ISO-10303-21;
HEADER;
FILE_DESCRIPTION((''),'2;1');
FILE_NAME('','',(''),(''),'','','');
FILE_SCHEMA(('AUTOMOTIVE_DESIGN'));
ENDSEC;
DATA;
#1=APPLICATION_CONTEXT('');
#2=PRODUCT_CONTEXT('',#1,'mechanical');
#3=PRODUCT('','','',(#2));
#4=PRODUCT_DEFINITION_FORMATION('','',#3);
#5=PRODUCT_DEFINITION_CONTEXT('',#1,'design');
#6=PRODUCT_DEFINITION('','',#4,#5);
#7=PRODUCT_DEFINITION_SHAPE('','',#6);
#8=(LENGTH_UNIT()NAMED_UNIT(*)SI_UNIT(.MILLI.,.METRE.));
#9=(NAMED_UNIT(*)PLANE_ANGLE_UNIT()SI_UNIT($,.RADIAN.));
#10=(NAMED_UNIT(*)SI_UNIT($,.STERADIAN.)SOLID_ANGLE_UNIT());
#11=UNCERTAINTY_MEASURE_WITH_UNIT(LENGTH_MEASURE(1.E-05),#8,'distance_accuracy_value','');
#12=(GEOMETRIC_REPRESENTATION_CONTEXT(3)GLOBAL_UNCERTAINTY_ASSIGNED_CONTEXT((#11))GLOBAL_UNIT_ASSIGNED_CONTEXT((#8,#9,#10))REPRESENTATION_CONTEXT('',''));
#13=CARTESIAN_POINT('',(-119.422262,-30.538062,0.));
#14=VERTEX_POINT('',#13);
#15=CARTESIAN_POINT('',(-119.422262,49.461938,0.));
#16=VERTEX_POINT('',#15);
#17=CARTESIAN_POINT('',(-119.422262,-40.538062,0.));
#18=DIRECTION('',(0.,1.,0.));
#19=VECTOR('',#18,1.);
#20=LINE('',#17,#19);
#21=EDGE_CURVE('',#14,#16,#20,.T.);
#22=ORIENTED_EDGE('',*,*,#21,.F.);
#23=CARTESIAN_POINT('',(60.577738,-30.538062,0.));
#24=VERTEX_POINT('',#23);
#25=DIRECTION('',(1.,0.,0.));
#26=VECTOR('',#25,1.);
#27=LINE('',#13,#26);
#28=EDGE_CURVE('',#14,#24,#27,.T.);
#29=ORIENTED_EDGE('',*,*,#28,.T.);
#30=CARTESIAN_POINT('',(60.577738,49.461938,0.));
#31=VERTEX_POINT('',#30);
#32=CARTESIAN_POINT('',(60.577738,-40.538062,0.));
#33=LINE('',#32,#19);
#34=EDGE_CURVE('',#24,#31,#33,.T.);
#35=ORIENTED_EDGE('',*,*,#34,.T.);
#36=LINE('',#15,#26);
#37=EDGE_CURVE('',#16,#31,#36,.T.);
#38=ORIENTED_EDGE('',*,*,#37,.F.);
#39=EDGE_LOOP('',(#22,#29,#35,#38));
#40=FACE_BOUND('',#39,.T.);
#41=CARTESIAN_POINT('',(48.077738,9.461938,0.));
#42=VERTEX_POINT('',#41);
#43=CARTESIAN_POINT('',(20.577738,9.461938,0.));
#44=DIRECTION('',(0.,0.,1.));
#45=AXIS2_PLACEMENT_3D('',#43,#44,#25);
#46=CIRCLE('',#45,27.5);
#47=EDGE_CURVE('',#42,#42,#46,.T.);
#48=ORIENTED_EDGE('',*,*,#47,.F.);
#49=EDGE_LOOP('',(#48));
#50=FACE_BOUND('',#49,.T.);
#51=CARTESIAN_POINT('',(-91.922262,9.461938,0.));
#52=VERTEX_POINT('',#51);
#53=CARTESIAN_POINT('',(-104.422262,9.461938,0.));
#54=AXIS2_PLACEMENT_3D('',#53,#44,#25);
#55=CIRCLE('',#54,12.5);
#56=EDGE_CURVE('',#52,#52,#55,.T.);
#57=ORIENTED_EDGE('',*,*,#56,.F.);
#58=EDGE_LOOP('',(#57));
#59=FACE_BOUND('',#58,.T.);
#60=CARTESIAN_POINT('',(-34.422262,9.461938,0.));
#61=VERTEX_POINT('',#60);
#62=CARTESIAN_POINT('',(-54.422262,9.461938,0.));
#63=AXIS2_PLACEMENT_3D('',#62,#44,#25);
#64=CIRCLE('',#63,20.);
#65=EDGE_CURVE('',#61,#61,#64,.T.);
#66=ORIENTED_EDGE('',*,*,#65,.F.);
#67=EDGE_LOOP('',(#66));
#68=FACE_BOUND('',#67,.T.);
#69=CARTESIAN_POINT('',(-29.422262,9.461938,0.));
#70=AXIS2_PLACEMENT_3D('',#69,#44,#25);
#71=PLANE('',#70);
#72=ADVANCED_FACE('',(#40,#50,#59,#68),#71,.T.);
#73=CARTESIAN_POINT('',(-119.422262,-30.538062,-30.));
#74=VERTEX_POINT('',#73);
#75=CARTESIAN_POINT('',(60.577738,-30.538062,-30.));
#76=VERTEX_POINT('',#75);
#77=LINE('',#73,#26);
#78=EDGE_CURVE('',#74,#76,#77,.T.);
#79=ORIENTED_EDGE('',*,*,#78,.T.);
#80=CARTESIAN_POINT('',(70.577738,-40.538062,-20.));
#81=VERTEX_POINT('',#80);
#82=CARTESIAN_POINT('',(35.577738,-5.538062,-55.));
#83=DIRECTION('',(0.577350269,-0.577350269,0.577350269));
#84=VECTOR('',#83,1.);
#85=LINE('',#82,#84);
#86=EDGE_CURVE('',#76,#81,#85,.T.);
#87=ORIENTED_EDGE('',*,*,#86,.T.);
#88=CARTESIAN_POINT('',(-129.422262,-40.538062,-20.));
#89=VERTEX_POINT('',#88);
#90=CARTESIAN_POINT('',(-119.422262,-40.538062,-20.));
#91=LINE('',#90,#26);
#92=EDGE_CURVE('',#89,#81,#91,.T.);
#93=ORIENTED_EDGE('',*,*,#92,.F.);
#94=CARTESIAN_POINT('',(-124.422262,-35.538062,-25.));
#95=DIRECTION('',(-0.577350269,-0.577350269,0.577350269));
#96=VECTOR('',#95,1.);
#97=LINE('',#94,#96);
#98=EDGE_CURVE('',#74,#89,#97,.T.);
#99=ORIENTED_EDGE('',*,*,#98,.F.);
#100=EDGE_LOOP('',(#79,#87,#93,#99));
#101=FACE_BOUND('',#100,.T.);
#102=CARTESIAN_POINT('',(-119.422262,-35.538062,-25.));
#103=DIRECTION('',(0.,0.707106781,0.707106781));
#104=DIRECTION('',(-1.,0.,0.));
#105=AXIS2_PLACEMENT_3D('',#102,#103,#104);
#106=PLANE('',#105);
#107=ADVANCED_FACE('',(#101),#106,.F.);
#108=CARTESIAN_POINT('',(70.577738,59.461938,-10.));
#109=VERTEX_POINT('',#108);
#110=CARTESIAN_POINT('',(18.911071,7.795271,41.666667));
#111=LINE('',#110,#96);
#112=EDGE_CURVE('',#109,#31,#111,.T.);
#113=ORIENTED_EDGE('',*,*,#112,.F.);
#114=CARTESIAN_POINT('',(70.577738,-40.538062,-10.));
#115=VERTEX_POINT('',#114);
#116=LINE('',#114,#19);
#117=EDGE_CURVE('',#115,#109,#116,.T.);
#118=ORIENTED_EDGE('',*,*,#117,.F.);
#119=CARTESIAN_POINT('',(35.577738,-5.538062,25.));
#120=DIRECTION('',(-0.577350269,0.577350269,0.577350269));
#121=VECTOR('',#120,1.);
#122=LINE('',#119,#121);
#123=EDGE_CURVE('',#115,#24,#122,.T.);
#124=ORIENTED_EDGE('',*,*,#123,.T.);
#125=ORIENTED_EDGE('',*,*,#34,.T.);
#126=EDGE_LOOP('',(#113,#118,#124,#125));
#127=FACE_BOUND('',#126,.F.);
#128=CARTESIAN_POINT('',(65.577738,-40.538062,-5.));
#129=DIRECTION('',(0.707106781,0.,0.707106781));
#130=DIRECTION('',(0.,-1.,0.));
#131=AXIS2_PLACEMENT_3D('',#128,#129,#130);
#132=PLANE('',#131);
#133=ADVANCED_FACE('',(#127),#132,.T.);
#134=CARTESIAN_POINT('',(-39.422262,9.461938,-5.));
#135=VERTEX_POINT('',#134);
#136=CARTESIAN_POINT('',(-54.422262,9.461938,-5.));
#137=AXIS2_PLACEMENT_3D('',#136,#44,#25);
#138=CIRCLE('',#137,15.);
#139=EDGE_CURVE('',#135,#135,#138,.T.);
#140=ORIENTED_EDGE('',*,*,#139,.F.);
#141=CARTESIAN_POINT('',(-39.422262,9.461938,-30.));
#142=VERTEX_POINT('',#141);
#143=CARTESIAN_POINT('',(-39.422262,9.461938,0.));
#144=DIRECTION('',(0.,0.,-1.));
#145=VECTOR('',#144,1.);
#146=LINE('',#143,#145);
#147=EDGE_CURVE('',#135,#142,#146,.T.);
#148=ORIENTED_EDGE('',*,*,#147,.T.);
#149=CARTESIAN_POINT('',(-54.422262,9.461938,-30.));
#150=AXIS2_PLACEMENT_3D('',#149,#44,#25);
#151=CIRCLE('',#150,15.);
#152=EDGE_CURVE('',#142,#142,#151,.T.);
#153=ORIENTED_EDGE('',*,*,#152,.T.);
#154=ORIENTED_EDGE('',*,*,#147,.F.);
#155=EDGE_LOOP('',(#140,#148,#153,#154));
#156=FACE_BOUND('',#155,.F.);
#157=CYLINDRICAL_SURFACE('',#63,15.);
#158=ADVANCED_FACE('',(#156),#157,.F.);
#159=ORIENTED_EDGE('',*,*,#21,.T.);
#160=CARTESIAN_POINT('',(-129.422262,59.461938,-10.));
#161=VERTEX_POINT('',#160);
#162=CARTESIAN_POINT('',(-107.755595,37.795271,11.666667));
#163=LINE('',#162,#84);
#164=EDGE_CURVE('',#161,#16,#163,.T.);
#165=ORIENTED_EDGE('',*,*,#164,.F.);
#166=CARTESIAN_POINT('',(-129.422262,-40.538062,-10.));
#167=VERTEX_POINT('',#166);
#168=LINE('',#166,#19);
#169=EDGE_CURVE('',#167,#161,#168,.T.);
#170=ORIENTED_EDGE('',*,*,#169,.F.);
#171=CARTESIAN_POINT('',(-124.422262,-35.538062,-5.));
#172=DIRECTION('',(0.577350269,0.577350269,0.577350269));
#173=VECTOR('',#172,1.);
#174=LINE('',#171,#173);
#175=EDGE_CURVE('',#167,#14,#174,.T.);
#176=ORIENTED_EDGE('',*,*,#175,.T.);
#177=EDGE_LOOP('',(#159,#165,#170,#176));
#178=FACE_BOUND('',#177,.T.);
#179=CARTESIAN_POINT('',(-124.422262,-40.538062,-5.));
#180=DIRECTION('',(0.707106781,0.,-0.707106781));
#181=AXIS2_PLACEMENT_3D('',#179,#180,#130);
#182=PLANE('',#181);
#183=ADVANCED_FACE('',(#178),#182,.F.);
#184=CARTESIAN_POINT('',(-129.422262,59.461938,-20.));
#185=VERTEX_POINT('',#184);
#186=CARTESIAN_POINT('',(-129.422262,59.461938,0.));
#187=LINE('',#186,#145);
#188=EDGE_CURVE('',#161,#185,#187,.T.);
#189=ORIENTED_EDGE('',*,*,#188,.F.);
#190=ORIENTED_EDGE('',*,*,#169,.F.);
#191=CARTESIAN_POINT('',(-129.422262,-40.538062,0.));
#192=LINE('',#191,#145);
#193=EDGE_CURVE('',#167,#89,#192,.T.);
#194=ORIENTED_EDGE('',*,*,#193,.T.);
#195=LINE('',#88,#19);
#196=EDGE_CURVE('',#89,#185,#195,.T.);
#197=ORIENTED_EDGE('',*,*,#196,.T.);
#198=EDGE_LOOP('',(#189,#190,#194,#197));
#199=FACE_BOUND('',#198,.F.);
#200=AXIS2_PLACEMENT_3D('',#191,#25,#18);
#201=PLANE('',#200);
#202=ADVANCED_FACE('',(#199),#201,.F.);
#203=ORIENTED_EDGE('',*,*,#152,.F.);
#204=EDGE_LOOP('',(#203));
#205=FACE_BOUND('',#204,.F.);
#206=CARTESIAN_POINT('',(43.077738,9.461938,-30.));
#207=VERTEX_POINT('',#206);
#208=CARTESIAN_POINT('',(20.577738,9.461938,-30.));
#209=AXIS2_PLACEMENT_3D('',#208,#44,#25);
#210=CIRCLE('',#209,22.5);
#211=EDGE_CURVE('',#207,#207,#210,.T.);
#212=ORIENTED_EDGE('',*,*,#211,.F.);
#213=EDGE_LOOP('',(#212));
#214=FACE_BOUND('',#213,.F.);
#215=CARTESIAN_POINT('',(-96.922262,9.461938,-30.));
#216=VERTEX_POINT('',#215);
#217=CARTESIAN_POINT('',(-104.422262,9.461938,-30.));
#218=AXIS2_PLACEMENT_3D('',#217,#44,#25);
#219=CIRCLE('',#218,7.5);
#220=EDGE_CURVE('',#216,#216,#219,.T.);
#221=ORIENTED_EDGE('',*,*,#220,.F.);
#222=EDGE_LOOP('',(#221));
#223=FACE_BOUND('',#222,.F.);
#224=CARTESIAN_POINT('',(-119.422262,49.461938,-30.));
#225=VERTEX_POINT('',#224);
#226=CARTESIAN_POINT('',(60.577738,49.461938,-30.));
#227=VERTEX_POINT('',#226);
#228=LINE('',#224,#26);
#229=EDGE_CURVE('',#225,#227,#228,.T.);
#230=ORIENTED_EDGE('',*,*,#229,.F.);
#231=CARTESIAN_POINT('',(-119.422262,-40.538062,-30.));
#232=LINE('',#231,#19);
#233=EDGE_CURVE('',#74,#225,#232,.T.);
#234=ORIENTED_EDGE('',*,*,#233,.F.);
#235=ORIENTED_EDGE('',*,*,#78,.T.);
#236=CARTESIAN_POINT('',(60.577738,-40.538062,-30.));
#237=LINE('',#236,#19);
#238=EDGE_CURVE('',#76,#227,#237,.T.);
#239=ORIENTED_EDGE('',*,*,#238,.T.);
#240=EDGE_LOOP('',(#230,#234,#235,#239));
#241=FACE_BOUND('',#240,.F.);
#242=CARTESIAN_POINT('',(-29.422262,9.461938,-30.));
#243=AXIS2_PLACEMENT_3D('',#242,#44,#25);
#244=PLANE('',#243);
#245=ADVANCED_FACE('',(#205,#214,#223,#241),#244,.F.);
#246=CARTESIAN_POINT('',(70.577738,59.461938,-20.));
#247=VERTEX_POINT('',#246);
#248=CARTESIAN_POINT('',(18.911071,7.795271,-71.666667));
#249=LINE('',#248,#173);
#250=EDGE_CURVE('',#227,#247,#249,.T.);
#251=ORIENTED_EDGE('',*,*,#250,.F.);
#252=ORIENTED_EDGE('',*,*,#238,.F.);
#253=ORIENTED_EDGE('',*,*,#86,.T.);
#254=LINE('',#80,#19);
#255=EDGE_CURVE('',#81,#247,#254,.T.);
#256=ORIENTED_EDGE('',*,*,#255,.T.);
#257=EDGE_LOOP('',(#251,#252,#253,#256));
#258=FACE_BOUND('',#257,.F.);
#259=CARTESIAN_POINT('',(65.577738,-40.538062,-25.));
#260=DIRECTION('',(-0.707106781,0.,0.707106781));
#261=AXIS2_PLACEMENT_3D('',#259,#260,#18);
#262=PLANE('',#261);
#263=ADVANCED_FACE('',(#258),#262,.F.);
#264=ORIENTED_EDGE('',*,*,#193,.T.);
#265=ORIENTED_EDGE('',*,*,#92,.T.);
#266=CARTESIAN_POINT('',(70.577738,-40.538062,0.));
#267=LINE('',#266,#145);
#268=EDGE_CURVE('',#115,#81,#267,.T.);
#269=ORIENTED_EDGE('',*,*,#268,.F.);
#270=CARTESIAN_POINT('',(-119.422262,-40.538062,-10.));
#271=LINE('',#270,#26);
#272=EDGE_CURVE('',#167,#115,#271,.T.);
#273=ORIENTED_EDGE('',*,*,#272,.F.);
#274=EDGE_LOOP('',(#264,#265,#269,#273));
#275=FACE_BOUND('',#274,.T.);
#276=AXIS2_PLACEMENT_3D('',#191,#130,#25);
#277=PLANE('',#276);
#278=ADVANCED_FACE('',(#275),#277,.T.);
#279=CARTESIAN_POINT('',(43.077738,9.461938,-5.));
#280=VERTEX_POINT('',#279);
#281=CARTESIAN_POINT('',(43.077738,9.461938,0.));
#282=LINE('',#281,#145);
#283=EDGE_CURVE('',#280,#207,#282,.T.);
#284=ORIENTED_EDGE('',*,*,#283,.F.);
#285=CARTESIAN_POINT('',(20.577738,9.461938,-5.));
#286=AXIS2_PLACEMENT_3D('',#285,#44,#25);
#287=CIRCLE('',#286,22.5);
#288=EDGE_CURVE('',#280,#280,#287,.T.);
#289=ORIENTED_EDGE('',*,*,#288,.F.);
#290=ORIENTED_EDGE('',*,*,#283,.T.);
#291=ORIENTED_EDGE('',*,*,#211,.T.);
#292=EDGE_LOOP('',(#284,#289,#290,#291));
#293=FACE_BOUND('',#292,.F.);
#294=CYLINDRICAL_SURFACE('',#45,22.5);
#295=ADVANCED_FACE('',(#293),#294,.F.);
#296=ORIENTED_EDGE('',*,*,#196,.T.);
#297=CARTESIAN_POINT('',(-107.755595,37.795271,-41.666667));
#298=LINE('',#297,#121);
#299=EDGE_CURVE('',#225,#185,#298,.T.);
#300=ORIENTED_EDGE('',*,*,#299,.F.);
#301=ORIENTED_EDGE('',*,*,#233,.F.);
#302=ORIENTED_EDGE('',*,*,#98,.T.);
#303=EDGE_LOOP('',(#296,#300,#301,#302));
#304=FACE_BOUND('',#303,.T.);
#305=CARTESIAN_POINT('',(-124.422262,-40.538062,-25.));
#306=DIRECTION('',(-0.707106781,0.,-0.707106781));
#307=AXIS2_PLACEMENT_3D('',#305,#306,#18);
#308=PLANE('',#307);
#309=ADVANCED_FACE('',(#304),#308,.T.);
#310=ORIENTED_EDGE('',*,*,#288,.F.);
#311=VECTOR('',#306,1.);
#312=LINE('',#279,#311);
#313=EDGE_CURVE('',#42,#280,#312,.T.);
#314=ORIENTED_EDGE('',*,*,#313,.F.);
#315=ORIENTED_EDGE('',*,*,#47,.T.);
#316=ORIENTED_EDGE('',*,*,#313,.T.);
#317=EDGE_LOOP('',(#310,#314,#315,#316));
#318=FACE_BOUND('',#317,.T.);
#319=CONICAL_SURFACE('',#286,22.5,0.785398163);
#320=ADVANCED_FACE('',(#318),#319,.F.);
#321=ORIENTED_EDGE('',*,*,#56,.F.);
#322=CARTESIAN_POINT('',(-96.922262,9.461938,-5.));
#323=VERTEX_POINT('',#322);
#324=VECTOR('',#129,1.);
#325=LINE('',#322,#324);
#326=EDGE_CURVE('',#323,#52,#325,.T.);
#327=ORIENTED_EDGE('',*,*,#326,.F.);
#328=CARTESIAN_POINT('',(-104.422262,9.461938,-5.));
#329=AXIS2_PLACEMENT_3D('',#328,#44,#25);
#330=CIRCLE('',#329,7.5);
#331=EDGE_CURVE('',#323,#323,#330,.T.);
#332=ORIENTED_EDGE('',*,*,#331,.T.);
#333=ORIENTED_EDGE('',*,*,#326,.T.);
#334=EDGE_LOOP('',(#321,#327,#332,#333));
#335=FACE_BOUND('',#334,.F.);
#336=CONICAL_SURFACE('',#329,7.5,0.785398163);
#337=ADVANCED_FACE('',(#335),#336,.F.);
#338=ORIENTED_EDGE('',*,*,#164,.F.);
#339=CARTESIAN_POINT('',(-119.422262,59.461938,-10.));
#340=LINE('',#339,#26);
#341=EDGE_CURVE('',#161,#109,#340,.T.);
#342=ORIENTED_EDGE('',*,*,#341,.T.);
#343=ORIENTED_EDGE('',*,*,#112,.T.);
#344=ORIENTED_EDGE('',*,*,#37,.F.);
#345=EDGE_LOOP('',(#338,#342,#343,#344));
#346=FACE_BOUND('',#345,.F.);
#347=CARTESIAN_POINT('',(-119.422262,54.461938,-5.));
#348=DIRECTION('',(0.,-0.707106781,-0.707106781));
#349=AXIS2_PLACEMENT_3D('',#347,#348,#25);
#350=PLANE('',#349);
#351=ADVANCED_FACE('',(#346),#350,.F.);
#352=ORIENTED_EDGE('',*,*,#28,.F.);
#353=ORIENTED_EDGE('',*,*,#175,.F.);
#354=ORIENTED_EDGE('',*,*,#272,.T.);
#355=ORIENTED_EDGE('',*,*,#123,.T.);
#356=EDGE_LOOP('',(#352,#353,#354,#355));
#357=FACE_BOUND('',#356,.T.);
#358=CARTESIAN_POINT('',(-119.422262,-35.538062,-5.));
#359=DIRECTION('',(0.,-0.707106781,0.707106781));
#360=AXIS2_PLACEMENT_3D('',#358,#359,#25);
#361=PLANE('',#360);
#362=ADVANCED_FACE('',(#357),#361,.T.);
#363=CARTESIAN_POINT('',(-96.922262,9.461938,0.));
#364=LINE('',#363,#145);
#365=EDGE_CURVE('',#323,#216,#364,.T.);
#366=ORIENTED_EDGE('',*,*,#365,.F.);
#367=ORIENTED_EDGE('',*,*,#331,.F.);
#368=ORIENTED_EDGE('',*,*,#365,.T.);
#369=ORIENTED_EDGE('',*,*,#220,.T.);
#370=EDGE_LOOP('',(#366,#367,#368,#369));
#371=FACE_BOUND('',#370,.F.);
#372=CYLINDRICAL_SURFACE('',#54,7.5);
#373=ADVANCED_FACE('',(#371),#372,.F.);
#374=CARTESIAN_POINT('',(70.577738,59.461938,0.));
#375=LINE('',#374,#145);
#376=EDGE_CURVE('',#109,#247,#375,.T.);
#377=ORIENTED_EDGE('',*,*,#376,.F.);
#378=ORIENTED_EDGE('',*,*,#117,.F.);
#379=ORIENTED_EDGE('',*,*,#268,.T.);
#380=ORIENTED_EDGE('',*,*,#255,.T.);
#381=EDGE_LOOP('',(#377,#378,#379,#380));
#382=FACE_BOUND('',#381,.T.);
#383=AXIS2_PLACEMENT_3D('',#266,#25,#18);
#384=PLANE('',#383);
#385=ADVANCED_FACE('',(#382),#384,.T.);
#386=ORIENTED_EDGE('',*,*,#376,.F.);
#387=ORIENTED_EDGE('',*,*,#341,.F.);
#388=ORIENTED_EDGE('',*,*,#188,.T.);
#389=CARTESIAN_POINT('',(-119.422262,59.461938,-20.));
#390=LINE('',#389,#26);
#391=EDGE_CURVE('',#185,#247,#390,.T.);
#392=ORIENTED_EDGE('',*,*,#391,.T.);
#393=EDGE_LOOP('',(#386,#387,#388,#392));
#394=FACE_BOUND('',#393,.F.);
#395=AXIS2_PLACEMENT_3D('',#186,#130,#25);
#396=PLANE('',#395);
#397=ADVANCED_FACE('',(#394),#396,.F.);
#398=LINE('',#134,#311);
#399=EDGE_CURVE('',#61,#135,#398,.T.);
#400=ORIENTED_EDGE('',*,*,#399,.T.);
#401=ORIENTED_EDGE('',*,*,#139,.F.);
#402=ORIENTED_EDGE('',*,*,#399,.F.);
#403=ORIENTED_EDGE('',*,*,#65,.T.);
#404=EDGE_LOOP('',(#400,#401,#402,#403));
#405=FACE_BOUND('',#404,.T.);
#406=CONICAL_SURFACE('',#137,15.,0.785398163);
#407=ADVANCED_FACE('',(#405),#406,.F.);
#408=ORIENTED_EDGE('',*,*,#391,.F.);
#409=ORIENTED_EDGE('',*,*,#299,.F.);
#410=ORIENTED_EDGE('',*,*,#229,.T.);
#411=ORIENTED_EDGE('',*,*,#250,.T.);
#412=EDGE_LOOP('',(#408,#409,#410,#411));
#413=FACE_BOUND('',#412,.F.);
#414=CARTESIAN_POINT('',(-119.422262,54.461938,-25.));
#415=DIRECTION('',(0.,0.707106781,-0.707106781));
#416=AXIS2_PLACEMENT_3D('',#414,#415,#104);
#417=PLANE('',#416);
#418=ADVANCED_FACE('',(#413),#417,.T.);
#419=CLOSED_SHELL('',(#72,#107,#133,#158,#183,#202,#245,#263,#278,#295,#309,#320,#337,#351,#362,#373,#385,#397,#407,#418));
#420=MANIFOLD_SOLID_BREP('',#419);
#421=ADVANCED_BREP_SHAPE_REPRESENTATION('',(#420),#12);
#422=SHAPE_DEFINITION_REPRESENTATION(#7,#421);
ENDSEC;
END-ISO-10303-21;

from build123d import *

# Parameters (mm, degrees)
F0_W      = 200
F0_H      = 100
F0_R      = 7.5
F0_R_2    = 15
F0_R_3    = 22.5
F1_DEPTH  = 30
F2_SIZE2  = 5
F2_SIZE   = 5
F3_SIZE2  = 5
F3_SIZE   = 5
F4_SIZE2  = 5
F4_SIZE   = 5
F5_SIZE2  = 10
F5_SIZE   = 10
F6_SIZE2  = 10
F6_SIZE   = 10
F7_SIZE2  = 10
F7_SIZE   = 10
F8_SIZE2  = 10
F8_SIZE   = 10
F9_SIZE2  = 10
F9_SIZE   = 10
F10_SIZE2 = 10
F10_SIZE  = 10
F11_SIZE2 = 10
F11_SIZE  = 10
F12_SIZE2 = 10
F12_SIZE  = 10


with BuildPart() as f1:
    # F0 (on Top) → F1 (new body)
    with BuildSketch(Plane.XY):
        with Locations((-29.422262, 9.461938)):
            Rectangle(F0_W, F0_H)
        with Locations((-104.422262, 9.461938)):
            Circle(F0_R, mode=Mode.SUBTRACT)
        with Locations((-54.422262, 9.461938)):
            Circle(F0_R_2, mode=Mode.SUBTRACT)
        with Locations((20.577738, 9.461938)):
            Circle(F0_R_3, mode=Mode.SUBTRACT)
    extrude(amount=-F1_DEPTH)

    # F2
    f2_edges = [f1.edges().sort_by_distance(p)[0] for p in [
        (-111.922262, 9.461938, 0),
    ]]
    chamfer(f2_edges, length=F2_SIZE, length2=F2_SIZE2)

    # F3
    f3_edges = [f1.edges().sort_by_distance(p)[0] for p in [
        (-69.422262, 9.461938, 0),
    ]]
    chamfer(f3_edges, length=F3_SIZE, length2=F3_SIZE2)

    # F4
    f4_edges = [f1.edges().sort_by_distance(p)[0] for p in [
        (-1.922262, 9.461938, 0),
    ]]
    chamfer(f4_edges, length=F4_SIZE, length2=F4_SIZE2)

    # F5
    f5_edges = [f1.edges().sort_by_distance(p)[0] for p in [
        (70.577738, 9.461938, 0),
    ]]
    chamfer(f5_edges, length=F5_SIZE, length2=F5_SIZE2)

    # F6
    f6_edges = [f1.edges().sort_by_distance(p)[0] for p in [
        (70.577738, 9.461938, -30),
    ]]
    chamfer(f6_edges, length=F6_SIZE, length2=F6_SIZE2)

    # F7
    f7_edges = [f1.edges().sort_by_distance(p)[0] for p in [
        (-129.422262, 9.461938, 0),
    ]]
    chamfer(f7_edges, length=F7_SIZE, length2=F7_SIZE2)

    # F8
    f8_edges = [f1.edges().sort_by_distance(p)[0] for p in [
        (-129.422262, 9.461938, -30),
    ]]
    chamfer(f8_edges, length=F8_SIZE, length2=F8_SIZE2)

    # F9
    f9_edges = [f1.edges().sort_by_distance(p)[0] for p in [
        (-29.422262, -40.538062, 0),
    ]]
    chamfer(f9_edges, length=F9_SIZE, length2=F9_SIZE2)

    # F10
    f10_edges = [f1.edges().sort_by_distance(p)[0] for p in [
        (-29.422262, 59.461938, -30),
    ]]
    chamfer(f10_edges, length=F10_SIZE, length2=F10_SIZE2)

    # F11
    f11_edges = [f1.edges().sort_by_distance(p)[0] for p in [
        (-29.422262, -40.538062, -30),
    ]]
    chamfer(f11_edges, length=F11_SIZE, length2=F11_SIZE2)

    # F12
    f12_edges = [f1.edges().sort_by_distance(p)[0] for p in [
        (-29.422262, 59.461938, 0),
    ]]
    chamfer(f12_edges, length=F12_SIZE, length2=F12_SIZE2)


solid = f1.part
